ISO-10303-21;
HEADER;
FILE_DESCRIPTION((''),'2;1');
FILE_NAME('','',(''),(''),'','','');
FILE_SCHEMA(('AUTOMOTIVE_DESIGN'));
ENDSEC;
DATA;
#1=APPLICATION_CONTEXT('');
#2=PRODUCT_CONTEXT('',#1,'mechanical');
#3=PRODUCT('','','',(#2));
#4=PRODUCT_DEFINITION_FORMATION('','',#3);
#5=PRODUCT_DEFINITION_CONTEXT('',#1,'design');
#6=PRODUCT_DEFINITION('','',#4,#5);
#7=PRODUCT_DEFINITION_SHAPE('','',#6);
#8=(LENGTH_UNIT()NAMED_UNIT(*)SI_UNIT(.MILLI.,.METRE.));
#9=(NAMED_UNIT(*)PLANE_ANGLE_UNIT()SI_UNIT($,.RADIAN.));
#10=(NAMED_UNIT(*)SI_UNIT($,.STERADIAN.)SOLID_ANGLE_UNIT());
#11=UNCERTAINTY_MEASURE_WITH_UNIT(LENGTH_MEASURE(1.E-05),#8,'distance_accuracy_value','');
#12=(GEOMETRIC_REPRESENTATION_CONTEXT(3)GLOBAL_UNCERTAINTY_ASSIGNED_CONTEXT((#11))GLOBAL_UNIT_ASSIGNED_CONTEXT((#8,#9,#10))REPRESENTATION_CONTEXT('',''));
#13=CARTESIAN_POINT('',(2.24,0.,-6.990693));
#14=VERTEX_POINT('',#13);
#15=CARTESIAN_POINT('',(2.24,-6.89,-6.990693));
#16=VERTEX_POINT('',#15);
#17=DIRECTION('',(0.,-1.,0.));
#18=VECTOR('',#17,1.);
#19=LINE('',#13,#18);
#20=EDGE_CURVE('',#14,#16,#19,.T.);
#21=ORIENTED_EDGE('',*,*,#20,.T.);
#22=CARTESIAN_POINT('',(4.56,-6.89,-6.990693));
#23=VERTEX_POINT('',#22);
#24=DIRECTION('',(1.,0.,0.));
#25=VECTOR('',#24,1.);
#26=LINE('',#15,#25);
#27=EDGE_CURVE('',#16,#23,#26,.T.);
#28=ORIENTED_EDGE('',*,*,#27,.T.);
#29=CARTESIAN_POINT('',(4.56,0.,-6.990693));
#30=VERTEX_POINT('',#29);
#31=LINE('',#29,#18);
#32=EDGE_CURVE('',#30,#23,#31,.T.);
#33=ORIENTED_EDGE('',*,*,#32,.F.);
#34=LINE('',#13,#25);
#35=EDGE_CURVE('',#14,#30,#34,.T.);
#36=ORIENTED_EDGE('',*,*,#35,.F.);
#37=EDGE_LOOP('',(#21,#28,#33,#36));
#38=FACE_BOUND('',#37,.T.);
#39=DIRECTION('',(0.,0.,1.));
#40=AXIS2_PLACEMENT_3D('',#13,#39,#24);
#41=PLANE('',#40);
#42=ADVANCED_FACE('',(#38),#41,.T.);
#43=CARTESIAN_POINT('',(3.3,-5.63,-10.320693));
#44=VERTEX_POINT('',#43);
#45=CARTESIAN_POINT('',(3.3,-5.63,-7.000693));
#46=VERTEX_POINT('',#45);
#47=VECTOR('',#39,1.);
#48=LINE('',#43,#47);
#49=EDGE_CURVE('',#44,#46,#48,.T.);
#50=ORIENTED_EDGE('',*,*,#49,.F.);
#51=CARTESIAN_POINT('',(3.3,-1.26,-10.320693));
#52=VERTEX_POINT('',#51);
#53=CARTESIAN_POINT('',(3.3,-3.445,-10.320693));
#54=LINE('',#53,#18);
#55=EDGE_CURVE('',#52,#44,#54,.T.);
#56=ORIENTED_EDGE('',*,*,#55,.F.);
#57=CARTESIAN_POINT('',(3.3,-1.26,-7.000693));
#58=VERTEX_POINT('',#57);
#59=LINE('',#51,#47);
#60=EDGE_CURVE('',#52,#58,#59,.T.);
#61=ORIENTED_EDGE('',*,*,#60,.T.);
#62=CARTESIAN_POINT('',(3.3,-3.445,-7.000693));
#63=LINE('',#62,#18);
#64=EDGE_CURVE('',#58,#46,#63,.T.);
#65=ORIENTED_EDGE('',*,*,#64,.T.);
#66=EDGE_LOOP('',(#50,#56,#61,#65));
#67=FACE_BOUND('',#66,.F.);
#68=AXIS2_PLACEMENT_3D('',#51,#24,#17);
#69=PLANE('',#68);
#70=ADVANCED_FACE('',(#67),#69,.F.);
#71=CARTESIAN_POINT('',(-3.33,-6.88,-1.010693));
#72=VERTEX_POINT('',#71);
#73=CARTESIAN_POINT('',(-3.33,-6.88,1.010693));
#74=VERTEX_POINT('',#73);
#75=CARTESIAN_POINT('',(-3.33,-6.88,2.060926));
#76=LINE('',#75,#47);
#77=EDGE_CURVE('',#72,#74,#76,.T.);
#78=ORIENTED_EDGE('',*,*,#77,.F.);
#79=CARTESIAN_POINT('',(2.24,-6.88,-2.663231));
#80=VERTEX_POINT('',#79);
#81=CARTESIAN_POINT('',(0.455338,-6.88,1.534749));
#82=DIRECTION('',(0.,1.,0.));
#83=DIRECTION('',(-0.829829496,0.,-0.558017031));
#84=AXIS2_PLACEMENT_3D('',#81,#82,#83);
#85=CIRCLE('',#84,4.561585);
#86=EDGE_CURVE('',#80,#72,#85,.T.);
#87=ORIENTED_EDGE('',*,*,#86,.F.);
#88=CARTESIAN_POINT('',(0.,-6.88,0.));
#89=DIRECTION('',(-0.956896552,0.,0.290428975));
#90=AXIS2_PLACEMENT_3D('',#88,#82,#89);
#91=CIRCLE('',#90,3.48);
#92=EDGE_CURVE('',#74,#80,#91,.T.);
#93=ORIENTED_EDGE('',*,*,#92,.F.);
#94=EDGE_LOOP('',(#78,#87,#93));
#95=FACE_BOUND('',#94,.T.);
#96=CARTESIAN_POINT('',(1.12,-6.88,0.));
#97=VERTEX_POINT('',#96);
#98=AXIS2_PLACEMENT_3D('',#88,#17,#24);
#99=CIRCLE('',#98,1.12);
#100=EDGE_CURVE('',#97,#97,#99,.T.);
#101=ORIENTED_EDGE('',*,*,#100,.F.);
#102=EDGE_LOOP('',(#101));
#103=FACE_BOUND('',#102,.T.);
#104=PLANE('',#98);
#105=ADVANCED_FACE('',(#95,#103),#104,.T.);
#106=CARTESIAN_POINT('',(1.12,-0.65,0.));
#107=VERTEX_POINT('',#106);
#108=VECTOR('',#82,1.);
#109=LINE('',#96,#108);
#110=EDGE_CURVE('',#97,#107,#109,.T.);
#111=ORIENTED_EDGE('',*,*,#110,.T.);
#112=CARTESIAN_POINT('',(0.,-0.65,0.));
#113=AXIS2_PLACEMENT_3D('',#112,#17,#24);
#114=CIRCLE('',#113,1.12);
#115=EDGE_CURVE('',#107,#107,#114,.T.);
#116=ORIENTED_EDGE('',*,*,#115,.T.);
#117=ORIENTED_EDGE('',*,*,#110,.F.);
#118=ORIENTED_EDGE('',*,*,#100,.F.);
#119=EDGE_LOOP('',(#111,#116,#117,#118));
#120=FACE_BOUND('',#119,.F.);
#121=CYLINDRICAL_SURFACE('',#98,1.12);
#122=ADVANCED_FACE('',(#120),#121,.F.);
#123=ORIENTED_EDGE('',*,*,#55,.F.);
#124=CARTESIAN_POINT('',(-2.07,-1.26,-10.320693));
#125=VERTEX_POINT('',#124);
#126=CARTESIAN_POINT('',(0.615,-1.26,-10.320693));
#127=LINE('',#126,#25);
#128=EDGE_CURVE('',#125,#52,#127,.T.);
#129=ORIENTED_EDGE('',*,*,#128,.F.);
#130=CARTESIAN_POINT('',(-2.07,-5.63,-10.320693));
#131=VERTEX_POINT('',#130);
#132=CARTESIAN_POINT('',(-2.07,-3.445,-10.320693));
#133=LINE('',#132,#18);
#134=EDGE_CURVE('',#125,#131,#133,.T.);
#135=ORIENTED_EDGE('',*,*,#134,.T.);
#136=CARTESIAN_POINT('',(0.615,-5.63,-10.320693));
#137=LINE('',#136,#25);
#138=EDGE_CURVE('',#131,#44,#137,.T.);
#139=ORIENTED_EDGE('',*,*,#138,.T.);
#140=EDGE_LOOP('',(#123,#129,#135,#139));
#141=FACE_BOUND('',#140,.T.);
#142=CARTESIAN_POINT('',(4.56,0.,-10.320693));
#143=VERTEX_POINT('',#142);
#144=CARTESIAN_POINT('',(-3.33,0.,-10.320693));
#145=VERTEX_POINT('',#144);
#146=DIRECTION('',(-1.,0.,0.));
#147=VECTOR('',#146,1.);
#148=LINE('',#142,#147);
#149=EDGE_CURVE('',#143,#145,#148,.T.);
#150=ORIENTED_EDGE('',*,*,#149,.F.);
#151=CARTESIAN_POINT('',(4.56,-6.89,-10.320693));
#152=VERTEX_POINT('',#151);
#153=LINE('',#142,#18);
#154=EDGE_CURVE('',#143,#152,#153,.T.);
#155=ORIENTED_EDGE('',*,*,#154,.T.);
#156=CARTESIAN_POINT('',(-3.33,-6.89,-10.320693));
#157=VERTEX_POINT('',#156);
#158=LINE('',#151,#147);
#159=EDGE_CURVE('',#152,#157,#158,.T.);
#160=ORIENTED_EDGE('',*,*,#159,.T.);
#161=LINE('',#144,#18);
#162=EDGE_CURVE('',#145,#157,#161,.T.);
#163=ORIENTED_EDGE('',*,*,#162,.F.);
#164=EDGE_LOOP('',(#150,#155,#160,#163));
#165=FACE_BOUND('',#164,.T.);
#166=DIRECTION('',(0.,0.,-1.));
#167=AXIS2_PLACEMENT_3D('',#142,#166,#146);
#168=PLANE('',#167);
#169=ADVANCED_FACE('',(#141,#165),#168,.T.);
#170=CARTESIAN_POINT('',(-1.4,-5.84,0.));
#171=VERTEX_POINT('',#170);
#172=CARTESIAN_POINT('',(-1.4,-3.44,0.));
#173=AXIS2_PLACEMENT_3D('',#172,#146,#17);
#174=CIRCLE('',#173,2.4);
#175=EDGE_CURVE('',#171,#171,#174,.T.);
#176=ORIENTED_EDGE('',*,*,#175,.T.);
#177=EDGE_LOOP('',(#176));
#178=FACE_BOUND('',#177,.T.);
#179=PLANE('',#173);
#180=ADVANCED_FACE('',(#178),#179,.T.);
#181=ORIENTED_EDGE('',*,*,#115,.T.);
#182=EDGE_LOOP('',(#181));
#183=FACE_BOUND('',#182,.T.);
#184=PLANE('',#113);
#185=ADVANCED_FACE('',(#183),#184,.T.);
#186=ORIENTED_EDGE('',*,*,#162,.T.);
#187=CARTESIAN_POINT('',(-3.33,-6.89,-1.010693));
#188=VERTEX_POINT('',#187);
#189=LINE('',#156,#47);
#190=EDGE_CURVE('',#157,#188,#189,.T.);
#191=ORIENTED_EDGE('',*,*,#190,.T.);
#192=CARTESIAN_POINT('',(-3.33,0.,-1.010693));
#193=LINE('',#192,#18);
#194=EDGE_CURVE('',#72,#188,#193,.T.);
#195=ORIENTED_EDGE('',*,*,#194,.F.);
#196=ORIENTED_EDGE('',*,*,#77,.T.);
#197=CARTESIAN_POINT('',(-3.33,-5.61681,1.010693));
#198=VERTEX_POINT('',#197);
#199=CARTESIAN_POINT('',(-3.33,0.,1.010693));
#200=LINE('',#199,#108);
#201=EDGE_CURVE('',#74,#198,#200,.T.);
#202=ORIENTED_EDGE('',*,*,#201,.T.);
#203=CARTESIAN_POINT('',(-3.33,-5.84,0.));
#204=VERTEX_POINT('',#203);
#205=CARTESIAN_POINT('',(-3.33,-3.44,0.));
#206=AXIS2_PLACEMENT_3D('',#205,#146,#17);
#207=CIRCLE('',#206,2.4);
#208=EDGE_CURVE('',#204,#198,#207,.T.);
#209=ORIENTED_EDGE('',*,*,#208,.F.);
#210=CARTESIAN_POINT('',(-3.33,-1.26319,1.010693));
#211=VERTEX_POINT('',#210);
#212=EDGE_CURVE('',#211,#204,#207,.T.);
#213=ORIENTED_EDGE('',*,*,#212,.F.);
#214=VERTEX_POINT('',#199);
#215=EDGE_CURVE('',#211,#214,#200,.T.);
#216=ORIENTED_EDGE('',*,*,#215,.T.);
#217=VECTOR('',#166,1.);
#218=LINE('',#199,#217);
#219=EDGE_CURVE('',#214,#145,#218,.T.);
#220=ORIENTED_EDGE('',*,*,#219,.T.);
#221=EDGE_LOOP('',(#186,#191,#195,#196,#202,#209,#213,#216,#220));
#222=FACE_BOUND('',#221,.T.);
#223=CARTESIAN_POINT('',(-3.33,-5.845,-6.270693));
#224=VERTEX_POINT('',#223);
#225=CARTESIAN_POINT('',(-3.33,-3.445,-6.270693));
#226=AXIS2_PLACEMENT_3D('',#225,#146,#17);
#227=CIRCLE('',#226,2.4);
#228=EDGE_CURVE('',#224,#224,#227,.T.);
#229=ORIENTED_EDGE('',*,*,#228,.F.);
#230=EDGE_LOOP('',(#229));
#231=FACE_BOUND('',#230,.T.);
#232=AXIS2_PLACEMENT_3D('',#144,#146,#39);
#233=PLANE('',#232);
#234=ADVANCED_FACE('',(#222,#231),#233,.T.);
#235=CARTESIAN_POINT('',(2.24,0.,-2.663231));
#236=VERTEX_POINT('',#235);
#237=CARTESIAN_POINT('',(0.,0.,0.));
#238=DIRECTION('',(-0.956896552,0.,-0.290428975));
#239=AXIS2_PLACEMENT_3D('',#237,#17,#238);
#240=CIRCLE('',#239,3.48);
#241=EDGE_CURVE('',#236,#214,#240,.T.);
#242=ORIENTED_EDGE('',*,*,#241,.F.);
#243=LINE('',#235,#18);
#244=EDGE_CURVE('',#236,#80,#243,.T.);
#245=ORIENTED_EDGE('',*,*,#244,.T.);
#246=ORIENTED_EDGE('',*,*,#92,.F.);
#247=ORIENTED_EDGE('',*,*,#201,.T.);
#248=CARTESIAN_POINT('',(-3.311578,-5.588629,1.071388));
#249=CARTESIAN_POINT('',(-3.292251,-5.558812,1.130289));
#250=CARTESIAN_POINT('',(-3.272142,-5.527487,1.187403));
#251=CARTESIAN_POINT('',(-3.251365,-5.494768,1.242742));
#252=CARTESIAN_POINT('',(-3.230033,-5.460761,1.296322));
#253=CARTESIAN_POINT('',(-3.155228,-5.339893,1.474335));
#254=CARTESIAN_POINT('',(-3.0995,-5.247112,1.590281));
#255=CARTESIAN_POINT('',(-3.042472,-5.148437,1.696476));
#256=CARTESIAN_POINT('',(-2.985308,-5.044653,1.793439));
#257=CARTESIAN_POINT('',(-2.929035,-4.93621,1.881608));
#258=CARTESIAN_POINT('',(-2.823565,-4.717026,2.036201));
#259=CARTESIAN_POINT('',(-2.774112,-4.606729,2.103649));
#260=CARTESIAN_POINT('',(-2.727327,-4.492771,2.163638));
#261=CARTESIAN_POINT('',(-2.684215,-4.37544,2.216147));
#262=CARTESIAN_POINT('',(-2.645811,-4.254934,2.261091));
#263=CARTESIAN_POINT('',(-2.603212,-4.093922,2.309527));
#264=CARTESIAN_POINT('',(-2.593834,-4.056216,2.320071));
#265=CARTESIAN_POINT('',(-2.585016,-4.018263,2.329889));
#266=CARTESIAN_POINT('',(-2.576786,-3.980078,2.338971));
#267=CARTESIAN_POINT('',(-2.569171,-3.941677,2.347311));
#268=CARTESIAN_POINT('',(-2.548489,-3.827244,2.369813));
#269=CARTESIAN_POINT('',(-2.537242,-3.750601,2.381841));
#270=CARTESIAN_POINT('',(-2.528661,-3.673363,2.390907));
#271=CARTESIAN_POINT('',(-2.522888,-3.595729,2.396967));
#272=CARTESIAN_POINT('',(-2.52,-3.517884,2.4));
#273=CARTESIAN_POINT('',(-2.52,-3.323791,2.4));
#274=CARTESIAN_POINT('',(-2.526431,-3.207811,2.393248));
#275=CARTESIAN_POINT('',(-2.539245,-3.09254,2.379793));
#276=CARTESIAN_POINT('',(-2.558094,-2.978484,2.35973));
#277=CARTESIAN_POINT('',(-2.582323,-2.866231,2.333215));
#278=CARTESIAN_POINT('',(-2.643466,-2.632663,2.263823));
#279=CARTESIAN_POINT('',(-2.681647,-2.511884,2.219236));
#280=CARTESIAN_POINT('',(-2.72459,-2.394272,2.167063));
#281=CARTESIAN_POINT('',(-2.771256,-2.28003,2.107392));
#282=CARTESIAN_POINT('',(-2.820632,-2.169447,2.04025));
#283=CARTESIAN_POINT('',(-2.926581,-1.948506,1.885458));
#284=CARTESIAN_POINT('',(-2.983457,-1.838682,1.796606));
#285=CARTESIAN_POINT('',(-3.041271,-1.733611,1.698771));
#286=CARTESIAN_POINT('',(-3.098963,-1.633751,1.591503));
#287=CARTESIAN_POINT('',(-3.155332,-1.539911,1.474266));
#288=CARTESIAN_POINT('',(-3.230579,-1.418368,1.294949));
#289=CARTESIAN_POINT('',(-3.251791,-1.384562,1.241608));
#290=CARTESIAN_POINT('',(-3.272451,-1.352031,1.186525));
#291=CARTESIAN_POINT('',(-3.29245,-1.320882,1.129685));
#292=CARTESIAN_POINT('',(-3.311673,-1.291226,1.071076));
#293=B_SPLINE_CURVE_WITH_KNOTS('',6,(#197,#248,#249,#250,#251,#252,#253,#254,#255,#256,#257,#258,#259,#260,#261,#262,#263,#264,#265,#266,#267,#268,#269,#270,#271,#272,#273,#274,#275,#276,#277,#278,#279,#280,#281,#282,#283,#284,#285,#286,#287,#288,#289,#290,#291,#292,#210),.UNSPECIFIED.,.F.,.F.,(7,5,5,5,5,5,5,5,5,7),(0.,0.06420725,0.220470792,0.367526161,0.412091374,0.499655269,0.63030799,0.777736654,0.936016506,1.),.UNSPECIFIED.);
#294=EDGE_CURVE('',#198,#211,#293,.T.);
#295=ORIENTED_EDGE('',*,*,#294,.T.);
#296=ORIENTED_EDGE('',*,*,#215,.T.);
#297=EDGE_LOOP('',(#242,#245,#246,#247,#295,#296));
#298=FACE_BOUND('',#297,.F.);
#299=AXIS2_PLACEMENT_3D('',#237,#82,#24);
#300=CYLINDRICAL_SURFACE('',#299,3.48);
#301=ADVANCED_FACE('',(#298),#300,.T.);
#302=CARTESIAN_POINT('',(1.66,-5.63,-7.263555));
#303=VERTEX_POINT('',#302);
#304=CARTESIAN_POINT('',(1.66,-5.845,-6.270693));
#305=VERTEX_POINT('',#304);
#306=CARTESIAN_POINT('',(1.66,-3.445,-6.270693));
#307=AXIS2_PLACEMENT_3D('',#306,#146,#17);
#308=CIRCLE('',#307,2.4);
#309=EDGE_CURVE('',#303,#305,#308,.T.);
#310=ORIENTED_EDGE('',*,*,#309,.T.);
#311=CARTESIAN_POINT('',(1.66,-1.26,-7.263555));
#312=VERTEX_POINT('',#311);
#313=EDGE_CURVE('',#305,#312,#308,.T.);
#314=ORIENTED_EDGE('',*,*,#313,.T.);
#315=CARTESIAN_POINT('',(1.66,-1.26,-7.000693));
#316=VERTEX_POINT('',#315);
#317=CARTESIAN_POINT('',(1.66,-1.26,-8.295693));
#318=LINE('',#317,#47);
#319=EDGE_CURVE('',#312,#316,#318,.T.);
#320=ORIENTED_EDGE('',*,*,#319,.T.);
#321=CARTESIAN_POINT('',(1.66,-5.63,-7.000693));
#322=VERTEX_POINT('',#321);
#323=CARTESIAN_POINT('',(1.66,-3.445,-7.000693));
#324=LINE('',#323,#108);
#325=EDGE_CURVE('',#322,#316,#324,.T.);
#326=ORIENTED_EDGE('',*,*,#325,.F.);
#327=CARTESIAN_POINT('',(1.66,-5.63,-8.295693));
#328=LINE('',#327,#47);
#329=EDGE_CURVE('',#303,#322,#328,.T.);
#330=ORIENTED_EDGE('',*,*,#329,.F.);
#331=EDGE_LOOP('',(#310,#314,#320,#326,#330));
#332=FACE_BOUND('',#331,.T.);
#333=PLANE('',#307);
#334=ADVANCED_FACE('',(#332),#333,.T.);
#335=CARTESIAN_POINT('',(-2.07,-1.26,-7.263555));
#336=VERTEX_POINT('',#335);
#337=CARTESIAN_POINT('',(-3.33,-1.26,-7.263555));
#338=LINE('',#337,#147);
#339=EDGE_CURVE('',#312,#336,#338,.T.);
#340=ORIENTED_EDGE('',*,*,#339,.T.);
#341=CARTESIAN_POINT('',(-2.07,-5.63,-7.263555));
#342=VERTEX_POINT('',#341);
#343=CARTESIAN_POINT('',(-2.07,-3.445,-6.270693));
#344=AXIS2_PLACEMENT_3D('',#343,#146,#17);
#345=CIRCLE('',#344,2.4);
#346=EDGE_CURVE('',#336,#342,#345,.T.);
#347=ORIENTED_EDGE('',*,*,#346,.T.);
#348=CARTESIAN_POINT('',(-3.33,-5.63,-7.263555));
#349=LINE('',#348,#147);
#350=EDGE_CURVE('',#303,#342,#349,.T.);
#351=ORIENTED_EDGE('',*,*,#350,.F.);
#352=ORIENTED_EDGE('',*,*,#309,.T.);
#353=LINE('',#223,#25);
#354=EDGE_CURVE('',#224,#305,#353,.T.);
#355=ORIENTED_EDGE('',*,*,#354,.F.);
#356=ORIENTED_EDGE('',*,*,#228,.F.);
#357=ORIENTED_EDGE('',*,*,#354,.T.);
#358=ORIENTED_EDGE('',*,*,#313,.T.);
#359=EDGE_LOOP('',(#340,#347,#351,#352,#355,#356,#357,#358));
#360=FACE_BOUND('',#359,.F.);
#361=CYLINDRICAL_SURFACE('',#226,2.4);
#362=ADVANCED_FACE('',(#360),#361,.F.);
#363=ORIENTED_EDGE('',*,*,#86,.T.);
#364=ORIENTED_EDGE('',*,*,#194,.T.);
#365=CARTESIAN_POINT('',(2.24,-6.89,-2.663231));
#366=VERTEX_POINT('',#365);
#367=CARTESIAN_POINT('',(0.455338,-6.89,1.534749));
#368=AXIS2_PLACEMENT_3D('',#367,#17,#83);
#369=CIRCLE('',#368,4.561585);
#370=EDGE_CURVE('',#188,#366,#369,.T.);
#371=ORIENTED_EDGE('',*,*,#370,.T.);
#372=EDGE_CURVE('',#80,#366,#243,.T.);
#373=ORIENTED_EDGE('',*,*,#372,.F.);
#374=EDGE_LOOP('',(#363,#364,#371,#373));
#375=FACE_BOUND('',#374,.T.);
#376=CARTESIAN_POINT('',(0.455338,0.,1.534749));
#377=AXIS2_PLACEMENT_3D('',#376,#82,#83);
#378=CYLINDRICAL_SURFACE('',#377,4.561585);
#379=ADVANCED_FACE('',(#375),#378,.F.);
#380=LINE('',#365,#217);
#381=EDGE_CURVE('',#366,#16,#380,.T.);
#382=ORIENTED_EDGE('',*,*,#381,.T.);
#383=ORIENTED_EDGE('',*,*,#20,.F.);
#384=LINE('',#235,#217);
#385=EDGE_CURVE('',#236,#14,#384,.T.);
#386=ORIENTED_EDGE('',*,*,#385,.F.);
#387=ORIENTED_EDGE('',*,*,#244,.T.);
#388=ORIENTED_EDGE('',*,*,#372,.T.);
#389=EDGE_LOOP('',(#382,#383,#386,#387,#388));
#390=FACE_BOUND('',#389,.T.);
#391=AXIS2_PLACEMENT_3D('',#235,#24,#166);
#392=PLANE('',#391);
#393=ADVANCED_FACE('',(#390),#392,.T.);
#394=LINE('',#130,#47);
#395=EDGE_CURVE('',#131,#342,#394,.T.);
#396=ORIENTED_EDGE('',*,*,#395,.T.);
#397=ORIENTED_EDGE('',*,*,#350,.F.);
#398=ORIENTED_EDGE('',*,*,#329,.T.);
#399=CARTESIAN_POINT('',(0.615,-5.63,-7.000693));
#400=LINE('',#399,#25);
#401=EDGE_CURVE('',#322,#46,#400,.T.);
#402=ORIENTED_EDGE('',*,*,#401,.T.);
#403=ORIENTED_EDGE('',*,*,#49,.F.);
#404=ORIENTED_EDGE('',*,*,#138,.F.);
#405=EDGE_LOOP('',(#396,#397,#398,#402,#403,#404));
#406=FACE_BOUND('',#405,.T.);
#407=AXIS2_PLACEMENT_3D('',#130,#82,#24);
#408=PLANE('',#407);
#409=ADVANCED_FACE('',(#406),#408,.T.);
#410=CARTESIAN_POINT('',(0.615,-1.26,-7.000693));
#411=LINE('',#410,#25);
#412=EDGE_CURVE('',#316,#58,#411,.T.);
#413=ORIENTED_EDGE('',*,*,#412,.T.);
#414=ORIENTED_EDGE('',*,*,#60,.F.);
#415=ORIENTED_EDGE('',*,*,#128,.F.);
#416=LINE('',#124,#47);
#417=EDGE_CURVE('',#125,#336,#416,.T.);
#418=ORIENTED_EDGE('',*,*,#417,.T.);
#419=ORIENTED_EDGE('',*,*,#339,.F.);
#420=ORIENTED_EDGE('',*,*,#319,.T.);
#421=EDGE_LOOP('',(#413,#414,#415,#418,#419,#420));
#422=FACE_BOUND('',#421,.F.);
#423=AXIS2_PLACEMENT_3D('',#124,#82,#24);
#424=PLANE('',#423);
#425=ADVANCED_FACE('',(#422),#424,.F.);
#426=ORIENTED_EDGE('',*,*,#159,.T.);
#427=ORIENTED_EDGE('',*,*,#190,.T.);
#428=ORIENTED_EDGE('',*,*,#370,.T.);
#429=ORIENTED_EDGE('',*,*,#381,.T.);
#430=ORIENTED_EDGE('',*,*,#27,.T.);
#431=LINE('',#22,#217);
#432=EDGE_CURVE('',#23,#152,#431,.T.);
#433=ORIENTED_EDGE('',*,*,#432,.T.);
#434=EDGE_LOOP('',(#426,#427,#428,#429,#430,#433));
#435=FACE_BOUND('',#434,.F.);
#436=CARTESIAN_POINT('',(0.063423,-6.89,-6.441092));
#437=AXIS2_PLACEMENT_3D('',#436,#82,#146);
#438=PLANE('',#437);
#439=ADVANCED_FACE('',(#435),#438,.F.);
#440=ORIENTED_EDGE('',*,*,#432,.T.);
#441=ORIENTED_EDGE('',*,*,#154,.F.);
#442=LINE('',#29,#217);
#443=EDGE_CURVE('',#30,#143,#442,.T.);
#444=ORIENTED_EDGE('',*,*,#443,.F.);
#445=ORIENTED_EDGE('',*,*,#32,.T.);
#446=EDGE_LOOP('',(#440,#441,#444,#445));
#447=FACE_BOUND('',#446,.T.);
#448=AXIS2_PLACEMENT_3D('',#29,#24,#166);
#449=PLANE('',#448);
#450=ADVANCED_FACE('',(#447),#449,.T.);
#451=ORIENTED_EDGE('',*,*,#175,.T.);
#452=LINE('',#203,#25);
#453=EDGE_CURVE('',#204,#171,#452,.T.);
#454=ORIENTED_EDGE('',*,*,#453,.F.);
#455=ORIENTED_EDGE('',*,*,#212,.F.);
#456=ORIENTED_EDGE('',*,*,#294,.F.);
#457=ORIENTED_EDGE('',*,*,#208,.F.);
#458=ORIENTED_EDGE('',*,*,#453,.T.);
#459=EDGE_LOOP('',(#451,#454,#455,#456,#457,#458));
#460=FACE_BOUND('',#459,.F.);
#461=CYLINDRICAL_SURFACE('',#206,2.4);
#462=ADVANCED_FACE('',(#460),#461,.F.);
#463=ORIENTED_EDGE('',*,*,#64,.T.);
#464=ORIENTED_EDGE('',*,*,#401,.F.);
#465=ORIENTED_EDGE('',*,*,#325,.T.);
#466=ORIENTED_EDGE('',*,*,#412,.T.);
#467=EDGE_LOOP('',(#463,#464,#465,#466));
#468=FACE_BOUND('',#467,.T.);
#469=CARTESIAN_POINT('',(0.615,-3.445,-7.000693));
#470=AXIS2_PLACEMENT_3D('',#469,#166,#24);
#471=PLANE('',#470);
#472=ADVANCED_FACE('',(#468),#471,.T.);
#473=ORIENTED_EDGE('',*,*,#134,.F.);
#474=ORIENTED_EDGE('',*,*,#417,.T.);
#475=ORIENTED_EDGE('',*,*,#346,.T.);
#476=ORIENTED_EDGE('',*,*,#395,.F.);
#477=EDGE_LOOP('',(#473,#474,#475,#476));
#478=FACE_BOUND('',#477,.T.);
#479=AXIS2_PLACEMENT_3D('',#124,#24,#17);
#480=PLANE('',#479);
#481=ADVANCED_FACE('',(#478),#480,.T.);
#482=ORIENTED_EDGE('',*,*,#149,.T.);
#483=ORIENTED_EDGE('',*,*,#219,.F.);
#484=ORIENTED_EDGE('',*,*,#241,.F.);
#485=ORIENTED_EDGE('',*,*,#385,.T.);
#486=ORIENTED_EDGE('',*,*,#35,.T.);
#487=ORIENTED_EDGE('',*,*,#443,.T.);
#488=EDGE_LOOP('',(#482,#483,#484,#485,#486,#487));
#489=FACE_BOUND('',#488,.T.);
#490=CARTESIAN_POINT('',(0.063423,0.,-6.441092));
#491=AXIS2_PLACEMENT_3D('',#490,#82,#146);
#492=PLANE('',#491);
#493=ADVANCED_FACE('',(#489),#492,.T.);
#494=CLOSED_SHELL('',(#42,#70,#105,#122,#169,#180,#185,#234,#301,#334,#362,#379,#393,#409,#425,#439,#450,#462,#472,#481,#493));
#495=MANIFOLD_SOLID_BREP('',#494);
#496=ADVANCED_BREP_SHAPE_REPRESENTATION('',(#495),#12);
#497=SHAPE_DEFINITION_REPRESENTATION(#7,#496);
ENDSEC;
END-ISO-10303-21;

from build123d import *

# Parameters (mm, degrees)
F0_R      = 3.48
F1_DEPTH  = 6.88
F3_DEPTH  = 6.881
F5_DEPTH  = 6.89
F6_W      = 5.37
F6_H      = 4.37
F7_DEPTH  = 3.32
F8_R      = 2.4
F9_DEPTH  = 1.93
F10_R     = 2.4
F11_DEPTH = 4.99
F12_R     = 1.12
F13_DEPTH = 6.23


with BuildPart() as f1:
    # F0 (on Front) → F1 (new body)
    with BuildSketch(Plane.XZ):
        Circle(F0_R)
    extrude(amount=F1_DEPTH)

    # F2 (on face) → F3 (cut, through all)
    with BuildSketch(Plane(origin=(0, 0, 0), x_dir=(-1, 0, 0), z_dir=(0, 1, 0))):
        Polygon((4.844351, 2.141895), (3.33, 4.121852), (3.33, -5.87584), align=None)
    extrude(amount=-F3_DEPTH, mode=Mode.SUBTRACT)

    # F4 (on face) → F5 (join)
    with BuildSketch(Plane(origin=(0, 0, 0), x_dir=(-1, 0, 0), z_dir=(0, 1, 0))):
        with BuildLine():
            Line((3.33, -10.320693), (3.33, -1.010693))
            ThreePointArc((3.33, -1.010693), (0.84212, -2.838426), (-2.24, -2.663231))
            Line((-2.24, -2.663231), (-2.24, -6.990693))
            Line((-2.24, -6.990693), (-4.56, -6.990693))
            Line((-4.56, -6.990693), (-4.56, -10.320693))
            Line((-4.56, -10.320693), (3.33, -10.320693))
        make_face()
    extrude(amount=-F5_DEPTH)

    # F6 (on face) → F7 (cut)
    with BuildSketch(Plane(origin=(0, 0, -10.320693), x_dir=(1, 0, 0), z_dir=(0, 0, -1))):
        with Locations((0.615, 3.445)):
            Rectangle(F6_W, F6_H)
    extrude(amount=-F7_DEPTH, mode=Mode.SUBTRACT)

    # F8 (on face) → F9 (cut)
    with BuildSketch(Plane(origin=(-3.33, 0, 0), x_dir=(0, -1, 0), z_dir=(-1, 0, 0))):
        with Locations((3.44, 0)):
            Circle(F8_R)
    extrude(amount=-F9_DEPTH, mode=Mode.SUBTRACT)

    # F10 (on face) → F11 (cut)
    with BuildSketch(Plane(origin=(-3.33, 0, 0), x_dir=(0, -1, 0), z_dir=(-1, 0, 0))):
        with Locations((3.445, -6.270693)):
            Circle(F10_R)
    extrude(amount=-F11_DEPTH, mode=Mode.SUBTRACT)

    # F12 (on face) → F13 (cut)
    with BuildSketch(Plane.XZ.offset(6.88)):
        Circle(F12_R)
    extrude(amount=-F13_DEPTH, mode=Mode.SUBTRACT)


solid = f1.part
